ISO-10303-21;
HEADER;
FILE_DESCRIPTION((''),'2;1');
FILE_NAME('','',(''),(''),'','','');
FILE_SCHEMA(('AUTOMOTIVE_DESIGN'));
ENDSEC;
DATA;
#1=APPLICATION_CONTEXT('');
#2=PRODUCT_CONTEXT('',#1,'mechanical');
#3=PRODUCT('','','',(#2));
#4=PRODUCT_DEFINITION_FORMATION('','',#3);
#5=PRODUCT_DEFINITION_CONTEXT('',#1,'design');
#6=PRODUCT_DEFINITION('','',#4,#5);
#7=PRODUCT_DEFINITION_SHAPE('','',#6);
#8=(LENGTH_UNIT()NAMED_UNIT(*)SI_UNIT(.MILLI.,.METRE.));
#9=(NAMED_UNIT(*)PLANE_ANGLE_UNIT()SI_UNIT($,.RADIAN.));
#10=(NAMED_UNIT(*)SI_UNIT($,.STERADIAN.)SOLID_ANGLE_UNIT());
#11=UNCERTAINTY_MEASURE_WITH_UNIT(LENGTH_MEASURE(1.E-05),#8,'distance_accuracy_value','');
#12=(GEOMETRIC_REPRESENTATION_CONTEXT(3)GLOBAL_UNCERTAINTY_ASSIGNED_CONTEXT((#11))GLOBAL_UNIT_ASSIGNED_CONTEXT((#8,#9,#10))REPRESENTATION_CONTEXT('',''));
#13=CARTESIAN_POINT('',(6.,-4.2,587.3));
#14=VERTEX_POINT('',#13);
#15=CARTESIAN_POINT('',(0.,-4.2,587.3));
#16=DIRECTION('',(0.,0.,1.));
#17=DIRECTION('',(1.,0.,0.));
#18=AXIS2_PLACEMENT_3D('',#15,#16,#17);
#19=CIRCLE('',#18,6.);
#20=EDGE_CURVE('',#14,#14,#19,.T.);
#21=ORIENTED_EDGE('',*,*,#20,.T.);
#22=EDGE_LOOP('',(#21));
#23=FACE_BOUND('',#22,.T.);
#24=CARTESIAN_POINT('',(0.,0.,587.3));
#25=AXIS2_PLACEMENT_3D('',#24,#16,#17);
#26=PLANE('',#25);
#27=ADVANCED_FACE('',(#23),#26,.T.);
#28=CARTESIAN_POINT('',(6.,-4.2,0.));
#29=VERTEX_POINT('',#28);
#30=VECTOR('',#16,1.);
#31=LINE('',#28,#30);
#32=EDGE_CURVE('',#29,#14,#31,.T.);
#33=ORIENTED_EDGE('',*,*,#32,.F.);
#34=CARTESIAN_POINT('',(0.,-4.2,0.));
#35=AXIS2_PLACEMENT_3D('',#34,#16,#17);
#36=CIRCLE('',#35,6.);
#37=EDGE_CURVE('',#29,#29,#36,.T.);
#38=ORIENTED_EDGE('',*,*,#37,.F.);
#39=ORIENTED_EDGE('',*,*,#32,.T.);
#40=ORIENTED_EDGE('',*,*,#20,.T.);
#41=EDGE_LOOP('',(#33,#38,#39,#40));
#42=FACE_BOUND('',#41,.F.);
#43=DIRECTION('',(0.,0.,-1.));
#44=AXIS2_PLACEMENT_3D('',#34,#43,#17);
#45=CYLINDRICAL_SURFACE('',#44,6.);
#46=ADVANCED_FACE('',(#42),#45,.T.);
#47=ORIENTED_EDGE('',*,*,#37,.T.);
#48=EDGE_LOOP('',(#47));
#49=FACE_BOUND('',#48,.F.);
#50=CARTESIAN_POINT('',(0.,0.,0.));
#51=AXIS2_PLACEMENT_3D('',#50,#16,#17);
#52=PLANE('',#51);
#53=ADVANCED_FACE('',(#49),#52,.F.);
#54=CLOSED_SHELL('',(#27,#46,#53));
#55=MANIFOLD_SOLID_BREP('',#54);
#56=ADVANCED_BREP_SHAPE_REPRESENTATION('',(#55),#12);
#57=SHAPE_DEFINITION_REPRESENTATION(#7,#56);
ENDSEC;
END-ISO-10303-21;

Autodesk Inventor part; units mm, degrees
ref_plane "YZ Plane" through (0, 0, 0) normal (1, 0, 0) x (0, 1, 0)
ref_plane "XZ Plane" through (0, 0, 0) normal (0, 1, 0) x (-1, 0, 0)
ref_plane "XY Plane" through (0, 0, 0) normal (0, 0, 1) x (1, 0, 0)
ref_plane "Piano di lavoro1" through (0, 0, 0) normal (0, 0, 1) x (1, 0, 0)
sketch "Schizzo1" plane through (0, 0, 0) normal (0, 0, 1) x (1, 0, 0)
  arc A0 (0.475, -8.4) -> (0.475, 0) centre (0.475, -4.2) ccw projected
  arc A1 (-0.475, 0) -> (-0.475, -8.4) centre (-0.475, -4.2) ccw projected
  line L0 (-0.475, -8.4) -> (0.475, -8.4) projected
  line L1 (0.475, 0) -> (-0.475, 0) projected
  circle A2 centre (0, -4.2) radius 6
  line L2 (0.475, -8.4) -> (-0.475, 0) construction
  line L3 (0.475, 0) -> (-0.475, -8.4) construction
  point P0 (0, 0)
  point P1 (0, -4.2)
  dimension "d0" = 12
extrude "Estrusione1" add sketch "Schizzo1" along normal blind 587.3 contours L0 A1 L1 A0 | A2
properties part number "PowerScrew"
